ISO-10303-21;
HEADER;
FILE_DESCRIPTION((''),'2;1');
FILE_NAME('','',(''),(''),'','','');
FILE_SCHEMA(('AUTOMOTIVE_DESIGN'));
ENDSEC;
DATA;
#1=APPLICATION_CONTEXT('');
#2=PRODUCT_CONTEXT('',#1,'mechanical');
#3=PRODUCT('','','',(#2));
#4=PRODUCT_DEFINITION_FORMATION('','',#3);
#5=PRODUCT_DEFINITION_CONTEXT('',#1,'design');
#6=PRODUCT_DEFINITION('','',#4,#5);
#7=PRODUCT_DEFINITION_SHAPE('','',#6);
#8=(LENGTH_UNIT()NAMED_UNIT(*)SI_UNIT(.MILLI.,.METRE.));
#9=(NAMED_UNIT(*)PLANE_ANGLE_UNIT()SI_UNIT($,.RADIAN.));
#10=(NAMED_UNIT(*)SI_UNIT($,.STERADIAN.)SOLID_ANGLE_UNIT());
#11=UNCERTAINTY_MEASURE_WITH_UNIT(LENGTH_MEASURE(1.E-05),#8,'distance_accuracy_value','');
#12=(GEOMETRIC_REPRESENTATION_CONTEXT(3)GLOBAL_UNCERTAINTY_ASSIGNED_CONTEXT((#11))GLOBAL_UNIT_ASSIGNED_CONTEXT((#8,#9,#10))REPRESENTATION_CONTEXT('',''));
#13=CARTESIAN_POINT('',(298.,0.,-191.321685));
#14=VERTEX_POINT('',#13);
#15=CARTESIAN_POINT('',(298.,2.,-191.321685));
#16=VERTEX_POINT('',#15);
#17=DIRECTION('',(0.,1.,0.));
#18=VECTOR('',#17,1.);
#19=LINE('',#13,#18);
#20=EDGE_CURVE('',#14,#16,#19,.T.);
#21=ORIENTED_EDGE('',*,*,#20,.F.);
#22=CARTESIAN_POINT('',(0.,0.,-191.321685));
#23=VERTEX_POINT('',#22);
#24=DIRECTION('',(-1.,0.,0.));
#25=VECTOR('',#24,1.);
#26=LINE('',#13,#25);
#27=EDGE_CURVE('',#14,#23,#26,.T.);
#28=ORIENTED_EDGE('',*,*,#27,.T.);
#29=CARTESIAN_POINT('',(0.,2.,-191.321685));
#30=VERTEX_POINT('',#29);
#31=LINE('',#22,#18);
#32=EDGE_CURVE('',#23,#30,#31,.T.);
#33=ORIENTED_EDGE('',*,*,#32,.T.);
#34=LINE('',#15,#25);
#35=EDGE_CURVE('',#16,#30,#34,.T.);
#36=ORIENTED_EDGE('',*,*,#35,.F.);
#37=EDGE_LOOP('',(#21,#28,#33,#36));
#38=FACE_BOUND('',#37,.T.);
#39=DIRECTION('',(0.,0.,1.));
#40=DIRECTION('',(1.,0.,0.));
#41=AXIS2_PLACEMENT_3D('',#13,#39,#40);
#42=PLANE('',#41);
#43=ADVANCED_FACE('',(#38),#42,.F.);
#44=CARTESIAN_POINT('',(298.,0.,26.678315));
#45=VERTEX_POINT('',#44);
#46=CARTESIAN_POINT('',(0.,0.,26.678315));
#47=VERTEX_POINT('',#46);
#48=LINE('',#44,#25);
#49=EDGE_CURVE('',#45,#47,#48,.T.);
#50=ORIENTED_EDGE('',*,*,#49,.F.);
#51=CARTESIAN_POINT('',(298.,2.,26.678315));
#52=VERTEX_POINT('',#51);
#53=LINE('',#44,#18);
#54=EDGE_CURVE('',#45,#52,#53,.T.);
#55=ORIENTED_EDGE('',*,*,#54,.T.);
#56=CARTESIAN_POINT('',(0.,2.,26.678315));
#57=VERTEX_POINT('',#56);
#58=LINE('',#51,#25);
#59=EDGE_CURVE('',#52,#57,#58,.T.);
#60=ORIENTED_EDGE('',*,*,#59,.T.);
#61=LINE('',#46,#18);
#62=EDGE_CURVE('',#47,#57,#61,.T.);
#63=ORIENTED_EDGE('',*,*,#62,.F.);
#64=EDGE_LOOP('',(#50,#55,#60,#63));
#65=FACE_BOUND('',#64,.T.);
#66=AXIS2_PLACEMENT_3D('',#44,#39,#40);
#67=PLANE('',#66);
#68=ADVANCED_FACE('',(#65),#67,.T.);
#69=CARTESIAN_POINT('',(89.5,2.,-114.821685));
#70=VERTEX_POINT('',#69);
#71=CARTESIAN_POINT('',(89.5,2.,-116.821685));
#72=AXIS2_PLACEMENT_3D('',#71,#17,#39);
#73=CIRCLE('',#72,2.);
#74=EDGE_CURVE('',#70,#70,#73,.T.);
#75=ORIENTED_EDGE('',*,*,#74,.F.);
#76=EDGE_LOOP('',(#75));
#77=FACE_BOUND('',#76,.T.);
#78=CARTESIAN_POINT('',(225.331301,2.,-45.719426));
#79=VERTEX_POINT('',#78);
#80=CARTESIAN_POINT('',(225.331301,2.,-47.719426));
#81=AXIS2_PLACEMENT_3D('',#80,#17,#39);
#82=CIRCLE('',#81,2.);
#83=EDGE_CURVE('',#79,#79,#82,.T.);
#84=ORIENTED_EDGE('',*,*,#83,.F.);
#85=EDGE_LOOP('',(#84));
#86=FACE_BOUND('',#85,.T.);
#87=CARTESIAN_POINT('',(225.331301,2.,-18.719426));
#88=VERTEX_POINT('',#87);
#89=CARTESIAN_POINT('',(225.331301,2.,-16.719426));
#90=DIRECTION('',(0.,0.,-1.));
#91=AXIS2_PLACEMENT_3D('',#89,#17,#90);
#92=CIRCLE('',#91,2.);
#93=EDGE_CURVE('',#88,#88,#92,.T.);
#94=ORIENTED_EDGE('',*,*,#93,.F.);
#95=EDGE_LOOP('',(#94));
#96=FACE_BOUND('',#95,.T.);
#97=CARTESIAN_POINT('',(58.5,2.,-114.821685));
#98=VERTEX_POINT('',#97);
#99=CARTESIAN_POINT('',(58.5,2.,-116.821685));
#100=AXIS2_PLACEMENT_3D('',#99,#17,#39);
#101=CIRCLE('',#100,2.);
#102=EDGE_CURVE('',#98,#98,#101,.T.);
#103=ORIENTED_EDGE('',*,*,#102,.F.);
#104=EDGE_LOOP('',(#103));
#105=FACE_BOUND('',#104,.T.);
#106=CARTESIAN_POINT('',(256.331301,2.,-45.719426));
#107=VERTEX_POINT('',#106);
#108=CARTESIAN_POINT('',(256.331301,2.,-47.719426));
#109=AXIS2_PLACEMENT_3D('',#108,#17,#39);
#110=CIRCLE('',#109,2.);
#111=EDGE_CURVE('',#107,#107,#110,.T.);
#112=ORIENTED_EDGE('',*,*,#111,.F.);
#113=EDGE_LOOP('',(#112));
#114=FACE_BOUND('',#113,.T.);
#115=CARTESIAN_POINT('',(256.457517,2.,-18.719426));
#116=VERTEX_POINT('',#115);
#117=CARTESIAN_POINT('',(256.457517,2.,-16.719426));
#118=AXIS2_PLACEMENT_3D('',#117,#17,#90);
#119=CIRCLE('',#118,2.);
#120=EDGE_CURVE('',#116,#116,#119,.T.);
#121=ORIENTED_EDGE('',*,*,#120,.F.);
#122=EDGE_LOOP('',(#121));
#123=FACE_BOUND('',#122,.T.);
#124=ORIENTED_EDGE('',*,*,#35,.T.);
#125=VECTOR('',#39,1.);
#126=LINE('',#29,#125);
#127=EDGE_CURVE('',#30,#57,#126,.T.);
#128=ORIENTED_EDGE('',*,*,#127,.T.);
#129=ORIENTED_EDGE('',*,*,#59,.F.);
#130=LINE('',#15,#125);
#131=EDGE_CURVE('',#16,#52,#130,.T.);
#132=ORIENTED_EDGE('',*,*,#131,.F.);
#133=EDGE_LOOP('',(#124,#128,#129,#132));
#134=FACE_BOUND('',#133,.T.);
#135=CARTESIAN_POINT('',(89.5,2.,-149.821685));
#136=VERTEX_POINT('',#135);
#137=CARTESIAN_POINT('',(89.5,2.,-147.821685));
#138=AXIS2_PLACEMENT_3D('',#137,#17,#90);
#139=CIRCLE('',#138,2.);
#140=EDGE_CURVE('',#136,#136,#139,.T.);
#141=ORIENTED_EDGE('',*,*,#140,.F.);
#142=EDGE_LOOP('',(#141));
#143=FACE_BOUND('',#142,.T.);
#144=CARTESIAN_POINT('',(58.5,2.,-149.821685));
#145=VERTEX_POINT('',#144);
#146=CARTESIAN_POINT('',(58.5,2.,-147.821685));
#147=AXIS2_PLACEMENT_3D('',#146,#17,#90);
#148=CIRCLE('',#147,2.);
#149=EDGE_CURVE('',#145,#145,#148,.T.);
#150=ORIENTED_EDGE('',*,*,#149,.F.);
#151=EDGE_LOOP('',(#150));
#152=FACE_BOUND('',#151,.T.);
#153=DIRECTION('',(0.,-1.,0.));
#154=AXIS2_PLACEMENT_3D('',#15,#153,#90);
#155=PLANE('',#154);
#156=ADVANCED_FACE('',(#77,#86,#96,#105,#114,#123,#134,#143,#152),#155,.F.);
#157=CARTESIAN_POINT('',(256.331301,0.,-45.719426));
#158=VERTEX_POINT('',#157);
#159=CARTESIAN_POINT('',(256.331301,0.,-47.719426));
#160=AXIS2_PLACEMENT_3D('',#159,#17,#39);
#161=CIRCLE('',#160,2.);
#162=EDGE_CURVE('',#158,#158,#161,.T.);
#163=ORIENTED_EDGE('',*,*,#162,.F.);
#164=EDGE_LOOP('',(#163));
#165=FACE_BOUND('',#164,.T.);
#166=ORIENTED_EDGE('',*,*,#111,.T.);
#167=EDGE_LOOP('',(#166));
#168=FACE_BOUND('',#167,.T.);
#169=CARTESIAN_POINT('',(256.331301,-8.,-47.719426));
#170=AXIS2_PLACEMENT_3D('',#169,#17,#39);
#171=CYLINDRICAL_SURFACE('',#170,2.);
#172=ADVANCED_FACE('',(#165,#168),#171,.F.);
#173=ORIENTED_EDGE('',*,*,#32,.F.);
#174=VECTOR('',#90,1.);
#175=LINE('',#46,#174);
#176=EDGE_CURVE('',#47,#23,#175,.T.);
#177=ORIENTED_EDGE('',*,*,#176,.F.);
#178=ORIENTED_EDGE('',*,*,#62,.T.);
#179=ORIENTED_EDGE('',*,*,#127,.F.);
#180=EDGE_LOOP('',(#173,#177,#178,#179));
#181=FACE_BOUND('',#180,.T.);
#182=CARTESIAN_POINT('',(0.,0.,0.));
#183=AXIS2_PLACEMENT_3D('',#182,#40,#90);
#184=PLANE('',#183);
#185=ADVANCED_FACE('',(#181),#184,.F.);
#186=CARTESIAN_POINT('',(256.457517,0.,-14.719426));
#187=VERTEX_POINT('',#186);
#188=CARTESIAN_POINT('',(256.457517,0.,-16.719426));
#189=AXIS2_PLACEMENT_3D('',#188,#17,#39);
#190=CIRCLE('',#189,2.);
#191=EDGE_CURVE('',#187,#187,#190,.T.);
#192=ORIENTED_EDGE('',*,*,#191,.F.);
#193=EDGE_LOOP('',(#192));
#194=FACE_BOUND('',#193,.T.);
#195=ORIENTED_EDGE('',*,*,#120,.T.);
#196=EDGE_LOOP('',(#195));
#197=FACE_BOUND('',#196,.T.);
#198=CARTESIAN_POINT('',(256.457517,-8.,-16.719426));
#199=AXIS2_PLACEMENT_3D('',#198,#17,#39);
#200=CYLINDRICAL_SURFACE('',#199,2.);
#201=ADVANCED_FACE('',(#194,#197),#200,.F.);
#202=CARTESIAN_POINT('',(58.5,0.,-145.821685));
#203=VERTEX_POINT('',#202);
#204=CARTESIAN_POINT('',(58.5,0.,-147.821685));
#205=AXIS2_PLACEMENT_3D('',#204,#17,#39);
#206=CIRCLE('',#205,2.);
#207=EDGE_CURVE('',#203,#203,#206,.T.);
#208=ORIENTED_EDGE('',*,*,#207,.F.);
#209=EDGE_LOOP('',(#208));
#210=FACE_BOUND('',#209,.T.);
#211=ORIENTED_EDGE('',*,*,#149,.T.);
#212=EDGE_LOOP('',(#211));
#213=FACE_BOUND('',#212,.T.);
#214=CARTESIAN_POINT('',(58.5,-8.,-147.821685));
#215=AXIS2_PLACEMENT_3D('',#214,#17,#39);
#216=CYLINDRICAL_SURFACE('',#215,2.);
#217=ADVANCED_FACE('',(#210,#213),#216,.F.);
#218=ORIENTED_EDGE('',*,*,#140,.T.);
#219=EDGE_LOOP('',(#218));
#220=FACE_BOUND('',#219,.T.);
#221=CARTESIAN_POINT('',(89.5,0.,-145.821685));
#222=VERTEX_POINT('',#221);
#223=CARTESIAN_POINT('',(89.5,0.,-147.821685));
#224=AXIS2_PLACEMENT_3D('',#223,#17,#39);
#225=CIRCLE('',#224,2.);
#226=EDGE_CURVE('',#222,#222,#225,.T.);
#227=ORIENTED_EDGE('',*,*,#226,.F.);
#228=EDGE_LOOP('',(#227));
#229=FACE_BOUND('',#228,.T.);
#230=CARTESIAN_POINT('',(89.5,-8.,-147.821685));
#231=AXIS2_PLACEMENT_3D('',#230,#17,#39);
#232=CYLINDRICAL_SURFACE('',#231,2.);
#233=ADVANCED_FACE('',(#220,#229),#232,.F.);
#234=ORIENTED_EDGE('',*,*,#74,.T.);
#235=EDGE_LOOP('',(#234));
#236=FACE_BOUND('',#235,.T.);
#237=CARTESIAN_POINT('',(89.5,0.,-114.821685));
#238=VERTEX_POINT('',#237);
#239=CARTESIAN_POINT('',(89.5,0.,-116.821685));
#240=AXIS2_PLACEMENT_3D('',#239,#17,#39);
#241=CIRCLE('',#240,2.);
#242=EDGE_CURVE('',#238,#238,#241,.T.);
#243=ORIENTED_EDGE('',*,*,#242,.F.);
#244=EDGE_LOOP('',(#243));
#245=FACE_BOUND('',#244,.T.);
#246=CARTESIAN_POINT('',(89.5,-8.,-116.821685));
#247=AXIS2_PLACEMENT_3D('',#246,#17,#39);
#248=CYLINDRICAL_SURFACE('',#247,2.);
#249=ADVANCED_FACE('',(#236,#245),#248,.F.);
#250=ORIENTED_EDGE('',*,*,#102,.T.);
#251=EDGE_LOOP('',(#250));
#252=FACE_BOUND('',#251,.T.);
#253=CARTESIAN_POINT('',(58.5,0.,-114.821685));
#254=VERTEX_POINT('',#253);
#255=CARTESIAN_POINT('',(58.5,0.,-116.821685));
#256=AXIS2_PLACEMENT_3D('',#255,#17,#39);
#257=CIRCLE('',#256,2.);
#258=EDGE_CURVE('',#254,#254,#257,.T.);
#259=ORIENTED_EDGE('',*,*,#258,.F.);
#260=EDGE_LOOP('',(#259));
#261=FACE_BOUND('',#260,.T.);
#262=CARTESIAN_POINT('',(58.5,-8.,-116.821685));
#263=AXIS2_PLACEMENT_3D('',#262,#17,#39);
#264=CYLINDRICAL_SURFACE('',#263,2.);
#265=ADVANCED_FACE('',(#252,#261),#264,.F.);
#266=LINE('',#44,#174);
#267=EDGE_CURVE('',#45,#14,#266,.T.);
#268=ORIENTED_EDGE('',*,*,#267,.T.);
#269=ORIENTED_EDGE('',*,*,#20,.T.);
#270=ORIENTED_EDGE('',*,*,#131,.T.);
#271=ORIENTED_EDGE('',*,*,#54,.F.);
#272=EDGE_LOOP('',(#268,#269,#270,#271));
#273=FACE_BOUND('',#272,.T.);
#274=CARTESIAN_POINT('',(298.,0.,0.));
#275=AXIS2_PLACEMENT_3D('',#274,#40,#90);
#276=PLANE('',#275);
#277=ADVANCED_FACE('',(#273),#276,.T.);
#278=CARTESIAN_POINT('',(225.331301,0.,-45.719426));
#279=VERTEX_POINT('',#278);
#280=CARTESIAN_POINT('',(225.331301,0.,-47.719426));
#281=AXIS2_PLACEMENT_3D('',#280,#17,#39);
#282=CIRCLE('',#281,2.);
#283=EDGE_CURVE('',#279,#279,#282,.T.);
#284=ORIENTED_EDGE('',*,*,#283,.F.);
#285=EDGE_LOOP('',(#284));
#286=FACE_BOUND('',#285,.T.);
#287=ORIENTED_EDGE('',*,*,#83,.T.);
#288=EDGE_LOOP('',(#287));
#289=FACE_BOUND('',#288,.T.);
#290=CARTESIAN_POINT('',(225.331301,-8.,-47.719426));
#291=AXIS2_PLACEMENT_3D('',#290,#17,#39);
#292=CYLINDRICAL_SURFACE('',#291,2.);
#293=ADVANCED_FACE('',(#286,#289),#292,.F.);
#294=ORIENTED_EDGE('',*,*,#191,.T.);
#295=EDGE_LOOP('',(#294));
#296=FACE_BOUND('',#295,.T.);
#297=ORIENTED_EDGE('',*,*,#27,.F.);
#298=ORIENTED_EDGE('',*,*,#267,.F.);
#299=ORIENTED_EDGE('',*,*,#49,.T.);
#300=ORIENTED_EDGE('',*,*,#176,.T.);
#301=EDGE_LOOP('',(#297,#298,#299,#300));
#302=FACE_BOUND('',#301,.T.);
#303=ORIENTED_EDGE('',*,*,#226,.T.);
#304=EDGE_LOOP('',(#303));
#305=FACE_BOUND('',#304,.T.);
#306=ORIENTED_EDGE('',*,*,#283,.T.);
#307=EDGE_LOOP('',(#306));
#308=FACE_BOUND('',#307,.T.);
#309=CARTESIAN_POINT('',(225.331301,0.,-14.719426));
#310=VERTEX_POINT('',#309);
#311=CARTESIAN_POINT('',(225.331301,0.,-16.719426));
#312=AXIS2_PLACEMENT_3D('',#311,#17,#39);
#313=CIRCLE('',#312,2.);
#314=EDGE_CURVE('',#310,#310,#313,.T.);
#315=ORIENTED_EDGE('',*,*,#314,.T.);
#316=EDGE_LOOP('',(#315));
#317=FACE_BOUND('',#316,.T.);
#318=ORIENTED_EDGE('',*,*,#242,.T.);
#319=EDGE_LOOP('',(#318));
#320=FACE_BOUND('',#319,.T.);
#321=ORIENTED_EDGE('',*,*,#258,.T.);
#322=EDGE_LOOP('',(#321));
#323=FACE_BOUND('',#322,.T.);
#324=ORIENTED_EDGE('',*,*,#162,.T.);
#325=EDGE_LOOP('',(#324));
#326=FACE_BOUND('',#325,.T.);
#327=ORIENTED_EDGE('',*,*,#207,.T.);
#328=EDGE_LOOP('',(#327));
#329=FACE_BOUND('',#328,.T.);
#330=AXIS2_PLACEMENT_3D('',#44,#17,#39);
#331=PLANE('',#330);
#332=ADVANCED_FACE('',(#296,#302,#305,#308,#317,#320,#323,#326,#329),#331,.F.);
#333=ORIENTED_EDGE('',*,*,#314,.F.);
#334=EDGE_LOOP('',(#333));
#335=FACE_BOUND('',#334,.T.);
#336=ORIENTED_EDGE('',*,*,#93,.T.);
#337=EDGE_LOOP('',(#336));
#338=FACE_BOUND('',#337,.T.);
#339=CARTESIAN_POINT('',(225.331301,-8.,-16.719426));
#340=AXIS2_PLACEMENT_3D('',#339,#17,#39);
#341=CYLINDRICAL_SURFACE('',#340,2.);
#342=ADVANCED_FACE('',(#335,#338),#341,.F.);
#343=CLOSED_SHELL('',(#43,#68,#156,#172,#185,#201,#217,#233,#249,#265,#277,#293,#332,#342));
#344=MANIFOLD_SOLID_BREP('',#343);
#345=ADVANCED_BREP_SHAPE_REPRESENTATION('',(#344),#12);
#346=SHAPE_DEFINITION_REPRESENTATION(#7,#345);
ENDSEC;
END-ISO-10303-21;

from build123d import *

# Parameters (mm, degrees)
SKETCH1_W           = 218
SKETCH1_H           = 2
BOSS_EXTRUDE1_DEPTH = 298
SKETCH2_R           = 2
CUT_EXTRUDE1_DEPTH  = 10


with BuildPart() as part:
    # Sketch1 → Boss-Extrude1 (new body)
    with BuildSketch(Plane(origin=(0, 0, 0), x_dir=(0, 0, -1), z_dir=(1, 0, 0))):
        with Locations((82.3216851, 1)):
            Rectangle(SKETCH1_W, SKETCH1_H)
    extrude(amount=BOSS_EXTRUDE1_DEPTH)

    # Sketch2 → Cut-Extrude1 (cut)
    with BuildSketch(Plane(origin=(0, 2, 0), x_dir=(1, 0, 0), z_dir=(0, 1, 0))):
        with Locations((89.5, 116.8216851)):
            Circle(SKETCH2_R)
        with Locations((58.5, 116.8216851)):
            Circle(SKETCH2_R)
        with Locations((89.5, 147.8216851)):
            Circle(SKETCH2_R)
        with Locations((58.5, 147.8216851)):
            Circle(SKETCH2_R)
        with Locations((256.33130124, 47.719426297)):
            Circle(SKETCH2_R)
        with Locations((256.457517214, 16.719426297)):
            Circle(SKETCH2_R)
        with Locations((225.33130124, 16.719426297)):
            Circle(SKETCH2_R)
        with Locations((225.33130124, 47.719426297)):
            Circle(SKETCH2_R)
    extrude(amount=-CUT_EXTRUDE1_DEPTH, mode=Mode.SUBTRACT)


solid = part.part
